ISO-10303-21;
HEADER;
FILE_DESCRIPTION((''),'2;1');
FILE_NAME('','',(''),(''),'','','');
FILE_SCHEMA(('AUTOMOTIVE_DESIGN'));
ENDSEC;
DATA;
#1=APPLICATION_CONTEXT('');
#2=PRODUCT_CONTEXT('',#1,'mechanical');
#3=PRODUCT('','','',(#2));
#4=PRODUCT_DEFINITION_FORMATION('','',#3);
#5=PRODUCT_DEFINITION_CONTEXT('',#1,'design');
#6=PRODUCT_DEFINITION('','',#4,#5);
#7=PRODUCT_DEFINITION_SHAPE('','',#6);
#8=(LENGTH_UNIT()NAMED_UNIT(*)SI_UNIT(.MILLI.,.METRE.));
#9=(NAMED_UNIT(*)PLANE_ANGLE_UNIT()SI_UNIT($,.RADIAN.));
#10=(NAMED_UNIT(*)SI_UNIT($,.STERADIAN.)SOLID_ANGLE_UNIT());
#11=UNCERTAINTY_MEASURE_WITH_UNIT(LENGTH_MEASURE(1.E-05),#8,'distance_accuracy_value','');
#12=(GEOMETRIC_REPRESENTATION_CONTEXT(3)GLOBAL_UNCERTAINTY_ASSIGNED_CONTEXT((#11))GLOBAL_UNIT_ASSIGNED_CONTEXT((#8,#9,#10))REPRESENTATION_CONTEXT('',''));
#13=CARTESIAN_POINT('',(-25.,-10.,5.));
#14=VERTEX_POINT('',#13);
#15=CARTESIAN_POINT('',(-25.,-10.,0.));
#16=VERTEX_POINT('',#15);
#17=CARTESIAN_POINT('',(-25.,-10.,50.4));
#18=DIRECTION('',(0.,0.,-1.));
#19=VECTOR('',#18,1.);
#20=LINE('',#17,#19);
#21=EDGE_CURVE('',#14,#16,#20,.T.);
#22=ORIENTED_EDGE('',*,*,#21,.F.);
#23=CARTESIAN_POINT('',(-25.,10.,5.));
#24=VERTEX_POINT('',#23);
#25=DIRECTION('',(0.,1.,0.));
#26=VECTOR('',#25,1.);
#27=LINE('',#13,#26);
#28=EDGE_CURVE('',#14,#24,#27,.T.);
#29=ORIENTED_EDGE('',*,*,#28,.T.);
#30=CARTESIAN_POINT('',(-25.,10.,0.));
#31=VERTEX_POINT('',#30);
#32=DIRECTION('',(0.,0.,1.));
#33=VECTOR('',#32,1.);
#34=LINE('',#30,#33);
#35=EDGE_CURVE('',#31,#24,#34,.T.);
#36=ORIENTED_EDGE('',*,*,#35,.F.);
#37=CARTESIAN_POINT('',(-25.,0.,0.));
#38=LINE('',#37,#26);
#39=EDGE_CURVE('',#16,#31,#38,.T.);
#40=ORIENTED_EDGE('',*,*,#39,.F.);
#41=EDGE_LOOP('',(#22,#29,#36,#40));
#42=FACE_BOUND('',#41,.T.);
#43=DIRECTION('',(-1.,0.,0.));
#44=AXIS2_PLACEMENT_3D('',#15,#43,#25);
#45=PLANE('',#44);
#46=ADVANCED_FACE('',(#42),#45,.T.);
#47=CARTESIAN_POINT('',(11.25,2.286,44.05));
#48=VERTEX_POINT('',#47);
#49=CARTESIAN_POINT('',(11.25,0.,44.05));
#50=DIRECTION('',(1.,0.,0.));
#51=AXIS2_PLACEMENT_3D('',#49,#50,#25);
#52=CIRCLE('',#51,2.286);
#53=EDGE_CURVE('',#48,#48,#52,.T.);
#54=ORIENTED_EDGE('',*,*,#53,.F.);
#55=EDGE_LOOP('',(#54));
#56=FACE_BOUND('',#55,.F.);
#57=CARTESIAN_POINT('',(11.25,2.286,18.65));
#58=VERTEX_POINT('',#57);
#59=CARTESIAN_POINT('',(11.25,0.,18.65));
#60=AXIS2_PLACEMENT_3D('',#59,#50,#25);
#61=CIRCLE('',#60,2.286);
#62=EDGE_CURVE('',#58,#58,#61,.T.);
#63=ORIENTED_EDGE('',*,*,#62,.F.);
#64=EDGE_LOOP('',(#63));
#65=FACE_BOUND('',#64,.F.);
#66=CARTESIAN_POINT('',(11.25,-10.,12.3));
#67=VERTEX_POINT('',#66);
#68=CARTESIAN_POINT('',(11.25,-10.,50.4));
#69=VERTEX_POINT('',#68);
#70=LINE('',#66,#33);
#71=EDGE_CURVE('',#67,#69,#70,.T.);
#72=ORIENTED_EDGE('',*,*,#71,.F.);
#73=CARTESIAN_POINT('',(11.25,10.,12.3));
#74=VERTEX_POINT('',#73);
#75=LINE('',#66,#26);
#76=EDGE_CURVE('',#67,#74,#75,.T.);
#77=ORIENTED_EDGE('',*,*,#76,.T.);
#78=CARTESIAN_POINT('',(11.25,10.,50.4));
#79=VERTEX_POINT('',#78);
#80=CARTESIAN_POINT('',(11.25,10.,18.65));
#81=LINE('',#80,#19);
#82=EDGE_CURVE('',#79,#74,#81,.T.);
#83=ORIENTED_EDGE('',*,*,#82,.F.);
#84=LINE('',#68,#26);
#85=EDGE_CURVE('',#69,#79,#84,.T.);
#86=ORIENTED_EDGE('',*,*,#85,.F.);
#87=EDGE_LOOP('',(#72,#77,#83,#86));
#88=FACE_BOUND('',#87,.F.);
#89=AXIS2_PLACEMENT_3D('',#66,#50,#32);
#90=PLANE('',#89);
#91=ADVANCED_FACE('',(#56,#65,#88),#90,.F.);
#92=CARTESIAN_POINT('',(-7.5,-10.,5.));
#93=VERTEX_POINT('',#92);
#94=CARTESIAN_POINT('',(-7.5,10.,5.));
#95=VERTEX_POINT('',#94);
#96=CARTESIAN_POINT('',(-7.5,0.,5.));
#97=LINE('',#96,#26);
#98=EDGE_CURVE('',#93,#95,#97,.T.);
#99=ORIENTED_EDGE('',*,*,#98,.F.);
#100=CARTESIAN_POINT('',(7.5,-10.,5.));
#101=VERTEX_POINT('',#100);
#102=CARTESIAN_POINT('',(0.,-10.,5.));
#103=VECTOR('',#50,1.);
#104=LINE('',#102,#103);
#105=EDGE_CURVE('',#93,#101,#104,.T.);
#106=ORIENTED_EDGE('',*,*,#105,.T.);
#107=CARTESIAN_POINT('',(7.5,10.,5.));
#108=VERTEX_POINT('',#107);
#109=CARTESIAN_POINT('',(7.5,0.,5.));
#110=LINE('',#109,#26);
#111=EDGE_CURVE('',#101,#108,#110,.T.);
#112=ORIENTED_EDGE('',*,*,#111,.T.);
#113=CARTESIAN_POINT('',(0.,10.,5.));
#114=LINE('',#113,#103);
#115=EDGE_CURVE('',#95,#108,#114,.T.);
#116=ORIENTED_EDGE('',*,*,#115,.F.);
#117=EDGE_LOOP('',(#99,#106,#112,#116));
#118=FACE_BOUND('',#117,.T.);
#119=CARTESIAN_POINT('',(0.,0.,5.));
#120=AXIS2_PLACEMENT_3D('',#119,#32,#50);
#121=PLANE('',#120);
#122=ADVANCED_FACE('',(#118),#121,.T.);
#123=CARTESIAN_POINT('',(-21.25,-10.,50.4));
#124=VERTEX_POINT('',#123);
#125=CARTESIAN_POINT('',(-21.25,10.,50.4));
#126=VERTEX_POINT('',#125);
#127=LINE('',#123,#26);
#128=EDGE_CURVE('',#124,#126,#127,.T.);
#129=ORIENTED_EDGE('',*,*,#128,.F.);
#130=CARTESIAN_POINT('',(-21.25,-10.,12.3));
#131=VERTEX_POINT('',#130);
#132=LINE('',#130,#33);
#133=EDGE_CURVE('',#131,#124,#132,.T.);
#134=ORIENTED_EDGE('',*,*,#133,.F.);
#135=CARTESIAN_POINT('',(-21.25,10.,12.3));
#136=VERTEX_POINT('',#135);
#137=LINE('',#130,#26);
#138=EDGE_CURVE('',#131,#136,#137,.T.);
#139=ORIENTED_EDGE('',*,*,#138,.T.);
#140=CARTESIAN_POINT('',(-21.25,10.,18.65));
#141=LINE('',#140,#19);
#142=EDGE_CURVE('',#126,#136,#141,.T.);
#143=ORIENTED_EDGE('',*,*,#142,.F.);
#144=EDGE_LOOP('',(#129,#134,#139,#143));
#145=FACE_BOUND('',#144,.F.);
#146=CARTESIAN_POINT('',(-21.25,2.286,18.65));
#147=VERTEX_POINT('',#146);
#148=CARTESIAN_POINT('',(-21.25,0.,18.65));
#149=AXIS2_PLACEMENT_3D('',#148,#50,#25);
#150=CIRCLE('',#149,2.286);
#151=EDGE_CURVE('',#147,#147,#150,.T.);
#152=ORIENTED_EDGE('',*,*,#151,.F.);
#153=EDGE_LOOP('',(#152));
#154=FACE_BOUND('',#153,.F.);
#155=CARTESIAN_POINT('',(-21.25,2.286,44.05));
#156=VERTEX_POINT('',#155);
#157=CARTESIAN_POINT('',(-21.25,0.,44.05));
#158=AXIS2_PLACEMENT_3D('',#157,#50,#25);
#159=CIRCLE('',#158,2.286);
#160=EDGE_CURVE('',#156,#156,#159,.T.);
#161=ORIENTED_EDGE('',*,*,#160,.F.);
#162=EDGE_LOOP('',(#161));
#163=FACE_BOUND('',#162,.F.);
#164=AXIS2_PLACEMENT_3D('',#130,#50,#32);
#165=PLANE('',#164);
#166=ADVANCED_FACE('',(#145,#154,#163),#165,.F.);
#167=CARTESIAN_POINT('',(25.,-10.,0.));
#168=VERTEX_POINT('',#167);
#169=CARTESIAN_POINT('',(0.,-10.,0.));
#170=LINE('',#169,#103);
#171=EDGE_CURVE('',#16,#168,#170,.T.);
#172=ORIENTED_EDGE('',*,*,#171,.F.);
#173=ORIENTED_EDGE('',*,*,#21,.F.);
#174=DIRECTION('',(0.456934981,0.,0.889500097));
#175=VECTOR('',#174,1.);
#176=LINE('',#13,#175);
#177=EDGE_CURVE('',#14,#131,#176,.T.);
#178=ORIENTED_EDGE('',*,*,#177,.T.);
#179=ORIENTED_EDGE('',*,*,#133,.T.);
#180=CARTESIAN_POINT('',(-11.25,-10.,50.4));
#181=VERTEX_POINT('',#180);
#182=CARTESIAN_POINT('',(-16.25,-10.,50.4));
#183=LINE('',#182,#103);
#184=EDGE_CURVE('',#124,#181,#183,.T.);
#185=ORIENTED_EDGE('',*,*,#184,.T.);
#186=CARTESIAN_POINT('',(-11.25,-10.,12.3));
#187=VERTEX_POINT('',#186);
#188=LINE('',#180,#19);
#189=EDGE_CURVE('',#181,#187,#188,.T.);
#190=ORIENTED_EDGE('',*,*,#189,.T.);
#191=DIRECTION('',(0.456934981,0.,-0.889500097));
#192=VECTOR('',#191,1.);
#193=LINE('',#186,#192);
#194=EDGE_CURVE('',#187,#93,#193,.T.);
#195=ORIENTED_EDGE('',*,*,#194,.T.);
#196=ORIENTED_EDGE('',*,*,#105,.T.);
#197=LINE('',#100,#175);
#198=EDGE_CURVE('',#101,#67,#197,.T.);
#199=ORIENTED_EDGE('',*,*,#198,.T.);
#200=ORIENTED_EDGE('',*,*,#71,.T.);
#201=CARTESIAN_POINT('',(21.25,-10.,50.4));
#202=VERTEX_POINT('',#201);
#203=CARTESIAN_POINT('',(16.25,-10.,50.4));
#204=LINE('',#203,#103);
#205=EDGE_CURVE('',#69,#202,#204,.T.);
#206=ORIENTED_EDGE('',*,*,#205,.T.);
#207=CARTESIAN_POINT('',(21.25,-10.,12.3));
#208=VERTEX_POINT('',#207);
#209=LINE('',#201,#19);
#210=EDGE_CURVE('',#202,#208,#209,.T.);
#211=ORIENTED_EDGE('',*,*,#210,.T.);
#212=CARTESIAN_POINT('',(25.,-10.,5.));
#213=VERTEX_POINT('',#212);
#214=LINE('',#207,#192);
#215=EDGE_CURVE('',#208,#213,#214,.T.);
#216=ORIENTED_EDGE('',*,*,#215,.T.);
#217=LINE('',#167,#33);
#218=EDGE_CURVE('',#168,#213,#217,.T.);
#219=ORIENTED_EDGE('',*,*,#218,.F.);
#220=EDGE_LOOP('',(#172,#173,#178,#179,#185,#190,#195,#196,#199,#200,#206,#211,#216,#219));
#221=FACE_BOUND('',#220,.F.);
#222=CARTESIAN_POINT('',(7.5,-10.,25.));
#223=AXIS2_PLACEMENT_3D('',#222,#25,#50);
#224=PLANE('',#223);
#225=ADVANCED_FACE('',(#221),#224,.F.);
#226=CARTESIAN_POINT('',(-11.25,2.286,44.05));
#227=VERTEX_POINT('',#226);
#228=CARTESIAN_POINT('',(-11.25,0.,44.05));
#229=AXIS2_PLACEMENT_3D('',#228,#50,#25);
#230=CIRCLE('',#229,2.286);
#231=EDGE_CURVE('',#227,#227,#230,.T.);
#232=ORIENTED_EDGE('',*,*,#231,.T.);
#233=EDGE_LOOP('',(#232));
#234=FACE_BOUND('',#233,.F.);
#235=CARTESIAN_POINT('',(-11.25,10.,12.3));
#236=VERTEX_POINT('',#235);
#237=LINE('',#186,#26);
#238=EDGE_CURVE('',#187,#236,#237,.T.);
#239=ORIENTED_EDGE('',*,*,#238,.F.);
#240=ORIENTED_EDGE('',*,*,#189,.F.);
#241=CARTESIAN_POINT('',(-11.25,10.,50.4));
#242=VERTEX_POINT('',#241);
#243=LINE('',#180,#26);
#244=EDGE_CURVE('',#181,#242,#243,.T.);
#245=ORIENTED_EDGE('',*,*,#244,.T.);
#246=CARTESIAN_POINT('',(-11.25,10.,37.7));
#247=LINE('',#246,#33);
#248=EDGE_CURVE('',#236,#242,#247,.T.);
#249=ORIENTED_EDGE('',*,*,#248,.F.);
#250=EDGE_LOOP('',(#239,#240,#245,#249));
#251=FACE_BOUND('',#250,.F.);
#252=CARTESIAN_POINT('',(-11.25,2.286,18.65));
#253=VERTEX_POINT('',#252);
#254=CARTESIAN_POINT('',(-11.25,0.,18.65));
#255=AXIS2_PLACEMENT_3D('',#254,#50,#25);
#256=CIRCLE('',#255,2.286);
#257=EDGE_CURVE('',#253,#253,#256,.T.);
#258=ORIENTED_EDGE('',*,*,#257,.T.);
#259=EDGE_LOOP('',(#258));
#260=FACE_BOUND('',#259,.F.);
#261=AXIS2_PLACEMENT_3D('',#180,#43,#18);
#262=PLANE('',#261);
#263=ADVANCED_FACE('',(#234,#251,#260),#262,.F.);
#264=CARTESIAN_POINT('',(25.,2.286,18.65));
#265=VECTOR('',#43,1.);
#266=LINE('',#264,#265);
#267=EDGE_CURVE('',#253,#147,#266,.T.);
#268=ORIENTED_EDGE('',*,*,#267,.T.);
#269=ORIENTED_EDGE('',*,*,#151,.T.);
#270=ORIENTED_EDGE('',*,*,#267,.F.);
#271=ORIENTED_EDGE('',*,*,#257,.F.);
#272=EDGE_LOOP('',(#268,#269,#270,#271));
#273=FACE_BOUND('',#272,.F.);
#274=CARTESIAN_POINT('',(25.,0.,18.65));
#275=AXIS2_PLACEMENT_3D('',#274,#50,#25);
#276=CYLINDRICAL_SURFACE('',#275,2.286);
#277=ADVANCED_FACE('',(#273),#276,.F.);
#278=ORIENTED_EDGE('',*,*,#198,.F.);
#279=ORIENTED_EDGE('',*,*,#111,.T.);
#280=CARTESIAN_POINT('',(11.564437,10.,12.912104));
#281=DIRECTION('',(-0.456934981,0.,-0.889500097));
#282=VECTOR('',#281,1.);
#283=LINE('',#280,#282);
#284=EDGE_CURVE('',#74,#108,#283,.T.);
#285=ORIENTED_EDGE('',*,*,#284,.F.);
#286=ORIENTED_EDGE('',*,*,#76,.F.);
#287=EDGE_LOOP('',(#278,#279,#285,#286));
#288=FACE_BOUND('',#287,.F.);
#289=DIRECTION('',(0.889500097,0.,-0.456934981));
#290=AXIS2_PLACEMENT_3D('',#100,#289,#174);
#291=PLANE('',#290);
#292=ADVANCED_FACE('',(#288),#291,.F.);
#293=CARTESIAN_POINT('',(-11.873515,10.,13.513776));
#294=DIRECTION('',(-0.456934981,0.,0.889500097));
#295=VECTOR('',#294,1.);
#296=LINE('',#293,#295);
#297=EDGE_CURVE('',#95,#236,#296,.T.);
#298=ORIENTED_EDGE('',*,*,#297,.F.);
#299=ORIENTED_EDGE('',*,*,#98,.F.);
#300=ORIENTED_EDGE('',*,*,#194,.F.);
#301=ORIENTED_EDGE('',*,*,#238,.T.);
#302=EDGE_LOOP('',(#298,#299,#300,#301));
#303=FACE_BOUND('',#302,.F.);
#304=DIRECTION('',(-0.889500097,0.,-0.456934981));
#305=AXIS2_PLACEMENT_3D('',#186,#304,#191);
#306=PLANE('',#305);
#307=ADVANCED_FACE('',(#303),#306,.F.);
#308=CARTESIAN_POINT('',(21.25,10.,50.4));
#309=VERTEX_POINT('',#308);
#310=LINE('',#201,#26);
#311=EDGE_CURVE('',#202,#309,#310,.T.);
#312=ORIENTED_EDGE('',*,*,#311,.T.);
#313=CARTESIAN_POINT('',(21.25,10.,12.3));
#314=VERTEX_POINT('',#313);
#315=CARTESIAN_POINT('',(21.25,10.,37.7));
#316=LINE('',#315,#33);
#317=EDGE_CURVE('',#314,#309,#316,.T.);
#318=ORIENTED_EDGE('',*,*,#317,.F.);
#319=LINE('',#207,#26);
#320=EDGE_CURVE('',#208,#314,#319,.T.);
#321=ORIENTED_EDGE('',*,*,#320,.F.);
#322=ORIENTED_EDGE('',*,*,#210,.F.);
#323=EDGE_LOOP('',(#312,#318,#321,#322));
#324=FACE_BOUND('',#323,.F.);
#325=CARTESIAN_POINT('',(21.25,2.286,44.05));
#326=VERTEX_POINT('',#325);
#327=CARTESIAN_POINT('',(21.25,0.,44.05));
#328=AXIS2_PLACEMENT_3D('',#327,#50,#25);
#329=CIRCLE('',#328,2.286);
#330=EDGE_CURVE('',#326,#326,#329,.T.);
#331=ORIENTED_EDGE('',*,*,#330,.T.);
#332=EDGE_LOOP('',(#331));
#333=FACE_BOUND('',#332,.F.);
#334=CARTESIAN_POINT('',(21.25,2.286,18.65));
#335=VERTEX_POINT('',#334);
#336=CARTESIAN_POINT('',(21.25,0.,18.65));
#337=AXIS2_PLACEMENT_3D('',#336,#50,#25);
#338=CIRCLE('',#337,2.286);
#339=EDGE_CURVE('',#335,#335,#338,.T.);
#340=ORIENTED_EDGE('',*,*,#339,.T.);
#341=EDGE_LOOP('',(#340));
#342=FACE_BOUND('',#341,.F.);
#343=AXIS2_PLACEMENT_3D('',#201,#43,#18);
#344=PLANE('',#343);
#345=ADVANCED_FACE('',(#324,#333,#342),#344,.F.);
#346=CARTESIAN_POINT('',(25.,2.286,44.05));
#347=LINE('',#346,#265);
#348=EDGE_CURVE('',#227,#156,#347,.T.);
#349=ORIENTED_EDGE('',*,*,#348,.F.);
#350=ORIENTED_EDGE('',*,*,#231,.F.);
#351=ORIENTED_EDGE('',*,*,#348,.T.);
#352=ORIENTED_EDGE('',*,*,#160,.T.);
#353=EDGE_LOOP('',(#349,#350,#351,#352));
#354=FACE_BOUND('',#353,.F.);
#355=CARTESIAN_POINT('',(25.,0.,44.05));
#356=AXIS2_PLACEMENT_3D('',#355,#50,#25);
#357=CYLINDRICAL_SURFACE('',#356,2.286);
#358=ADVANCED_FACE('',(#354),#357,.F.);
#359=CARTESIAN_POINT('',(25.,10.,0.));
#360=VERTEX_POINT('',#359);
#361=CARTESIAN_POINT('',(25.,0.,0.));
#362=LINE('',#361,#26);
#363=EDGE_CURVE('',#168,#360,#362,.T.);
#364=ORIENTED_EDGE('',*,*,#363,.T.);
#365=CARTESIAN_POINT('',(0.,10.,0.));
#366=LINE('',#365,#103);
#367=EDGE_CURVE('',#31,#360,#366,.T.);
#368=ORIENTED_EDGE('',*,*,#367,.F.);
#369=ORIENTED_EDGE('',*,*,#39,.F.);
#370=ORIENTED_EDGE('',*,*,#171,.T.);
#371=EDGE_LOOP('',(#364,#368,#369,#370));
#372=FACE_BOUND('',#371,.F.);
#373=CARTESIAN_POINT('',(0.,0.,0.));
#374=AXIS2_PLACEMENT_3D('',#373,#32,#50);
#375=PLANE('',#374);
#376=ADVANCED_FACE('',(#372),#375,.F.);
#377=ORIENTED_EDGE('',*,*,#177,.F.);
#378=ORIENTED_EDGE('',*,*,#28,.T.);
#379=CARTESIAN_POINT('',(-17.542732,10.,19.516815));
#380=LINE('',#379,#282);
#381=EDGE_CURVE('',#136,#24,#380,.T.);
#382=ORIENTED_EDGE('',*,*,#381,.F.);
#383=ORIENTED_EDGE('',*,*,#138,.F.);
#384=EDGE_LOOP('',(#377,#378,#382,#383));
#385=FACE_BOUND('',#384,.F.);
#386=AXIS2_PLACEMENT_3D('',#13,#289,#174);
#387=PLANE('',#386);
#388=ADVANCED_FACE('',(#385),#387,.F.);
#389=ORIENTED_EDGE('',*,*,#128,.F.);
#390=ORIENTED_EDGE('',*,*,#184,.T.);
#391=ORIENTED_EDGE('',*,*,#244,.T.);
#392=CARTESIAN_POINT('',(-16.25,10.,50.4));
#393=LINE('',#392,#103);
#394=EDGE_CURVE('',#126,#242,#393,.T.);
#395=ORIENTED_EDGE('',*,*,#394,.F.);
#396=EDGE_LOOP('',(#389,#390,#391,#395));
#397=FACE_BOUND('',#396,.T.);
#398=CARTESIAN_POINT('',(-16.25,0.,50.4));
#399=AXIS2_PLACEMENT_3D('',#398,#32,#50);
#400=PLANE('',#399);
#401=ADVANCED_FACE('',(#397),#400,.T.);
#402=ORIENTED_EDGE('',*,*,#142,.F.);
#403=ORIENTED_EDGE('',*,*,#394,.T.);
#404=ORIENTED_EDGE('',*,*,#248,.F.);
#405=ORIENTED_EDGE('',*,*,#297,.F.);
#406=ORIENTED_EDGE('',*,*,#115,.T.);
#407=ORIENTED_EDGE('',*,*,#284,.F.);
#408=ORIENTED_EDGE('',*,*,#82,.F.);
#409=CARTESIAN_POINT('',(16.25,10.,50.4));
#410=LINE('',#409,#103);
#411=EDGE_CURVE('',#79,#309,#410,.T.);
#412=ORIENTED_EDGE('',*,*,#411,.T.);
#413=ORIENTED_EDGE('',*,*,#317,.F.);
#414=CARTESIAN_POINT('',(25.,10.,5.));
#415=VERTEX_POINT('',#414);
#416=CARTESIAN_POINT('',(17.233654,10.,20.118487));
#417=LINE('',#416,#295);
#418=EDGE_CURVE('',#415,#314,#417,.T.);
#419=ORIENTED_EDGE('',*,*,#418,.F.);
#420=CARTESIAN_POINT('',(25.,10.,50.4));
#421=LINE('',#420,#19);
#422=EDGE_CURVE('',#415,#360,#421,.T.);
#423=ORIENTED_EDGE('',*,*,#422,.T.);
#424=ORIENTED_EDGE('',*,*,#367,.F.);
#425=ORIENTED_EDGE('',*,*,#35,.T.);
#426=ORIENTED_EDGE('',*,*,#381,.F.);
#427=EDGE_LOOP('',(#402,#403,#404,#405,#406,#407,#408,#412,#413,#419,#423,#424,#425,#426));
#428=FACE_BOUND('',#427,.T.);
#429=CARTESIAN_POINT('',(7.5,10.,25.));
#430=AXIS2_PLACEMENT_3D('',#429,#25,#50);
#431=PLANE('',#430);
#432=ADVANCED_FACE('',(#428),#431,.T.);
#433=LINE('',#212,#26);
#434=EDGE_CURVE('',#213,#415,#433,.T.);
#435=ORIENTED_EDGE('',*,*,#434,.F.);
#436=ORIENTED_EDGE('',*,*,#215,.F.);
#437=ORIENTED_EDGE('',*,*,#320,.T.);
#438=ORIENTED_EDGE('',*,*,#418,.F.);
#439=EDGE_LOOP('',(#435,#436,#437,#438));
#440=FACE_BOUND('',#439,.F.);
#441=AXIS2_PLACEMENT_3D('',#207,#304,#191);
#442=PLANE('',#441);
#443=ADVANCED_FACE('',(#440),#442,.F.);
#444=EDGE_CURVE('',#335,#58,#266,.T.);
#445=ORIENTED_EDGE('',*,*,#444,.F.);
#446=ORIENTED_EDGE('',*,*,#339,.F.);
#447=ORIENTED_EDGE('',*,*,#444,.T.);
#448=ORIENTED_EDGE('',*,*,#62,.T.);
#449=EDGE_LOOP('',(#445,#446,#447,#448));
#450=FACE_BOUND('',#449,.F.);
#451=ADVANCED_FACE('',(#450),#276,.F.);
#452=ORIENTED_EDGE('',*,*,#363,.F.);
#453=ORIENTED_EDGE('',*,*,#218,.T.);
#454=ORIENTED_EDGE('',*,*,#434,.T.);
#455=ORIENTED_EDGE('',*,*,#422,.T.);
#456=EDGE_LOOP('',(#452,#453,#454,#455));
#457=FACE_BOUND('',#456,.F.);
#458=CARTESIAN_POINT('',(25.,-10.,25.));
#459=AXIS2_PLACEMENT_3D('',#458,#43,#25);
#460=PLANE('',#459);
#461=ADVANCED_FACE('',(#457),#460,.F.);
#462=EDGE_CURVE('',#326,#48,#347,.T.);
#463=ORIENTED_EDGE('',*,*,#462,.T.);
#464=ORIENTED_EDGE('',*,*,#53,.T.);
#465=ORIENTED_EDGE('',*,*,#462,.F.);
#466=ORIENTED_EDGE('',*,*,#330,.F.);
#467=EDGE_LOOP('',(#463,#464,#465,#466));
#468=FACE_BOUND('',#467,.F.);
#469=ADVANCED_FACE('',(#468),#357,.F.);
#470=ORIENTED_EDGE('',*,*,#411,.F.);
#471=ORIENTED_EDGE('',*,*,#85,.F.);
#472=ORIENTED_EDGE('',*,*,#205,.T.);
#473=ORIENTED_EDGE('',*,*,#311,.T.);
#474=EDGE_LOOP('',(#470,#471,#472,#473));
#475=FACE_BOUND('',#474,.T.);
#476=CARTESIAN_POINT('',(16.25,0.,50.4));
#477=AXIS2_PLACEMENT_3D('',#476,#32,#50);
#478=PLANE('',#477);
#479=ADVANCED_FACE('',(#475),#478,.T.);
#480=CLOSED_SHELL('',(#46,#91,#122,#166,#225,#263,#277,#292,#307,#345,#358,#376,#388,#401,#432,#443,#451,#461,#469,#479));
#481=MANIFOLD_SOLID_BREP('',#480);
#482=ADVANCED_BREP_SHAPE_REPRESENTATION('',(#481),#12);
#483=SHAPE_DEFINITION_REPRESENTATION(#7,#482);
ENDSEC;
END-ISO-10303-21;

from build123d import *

# Parameters (mm, degrees)
F0_W      = 50
F0_H      = 20
F1_DEPTH  = 5
F2_W      = 17.5
F2_H      = 20
F3_DEPTH  = 20
F3_FACE_W = 17.5
F3_FACE_H = 20
F4_DEPTH  = 25.4
F5_R      = 2.286
F6_DEPTH  = 50.001
F8_DEPTH  = 20.001


with BuildPart() as f1:
    # F0 (on Top) → F1 (new body)
    with BuildSketch(Plane.XY):
        Rectangle(F0_W, F0_H)
    extrude(amount=F1_DEPTH)

    # F2 (on face) → F3 (join)
    with BuildSketch(Plane.XY.offset(5)):
        with Locations((16.25, 0)):
            Rectangle(F2_W, F2_H)
        with Locations((-16.25, 0)):
            Rectangle(F2_W, F2_H)
    extrude(amount=F3_DEPTH)

    # F3_face (on face) → F4 (join)
    with BuildSketch(Plane(origin=(16.25, 0, 25), x_dir=(1, 0, 0), z_dir=(0, 0, 1))):
        Rectangle(F3_FACE_W, F3_FACE_H)
        with Locations((-32.5, 0)):
            Rectangle(F3_FACE_W, F3_FACE_H)
    extrude(amount=F4_DEPTH)

    # F5 (on face) → F6 (cut, through all)
    with BuildSketch(Plane.YZ.offset(25)):
        with Locations((0, 44.05)):
            Circle(F5_R)
        with Locations((0, 18.65)):
            Circle(F5_R)
    extrude(amount=-F6_DEPTH, mode=Mode.SUBTRACT)

    # F7 (on face) → F8 (cut, through all)
    with BuildSketch(Plane.XZ.offset(10)):
        Polygon((-25, 50.4), (-25, 5), (-21.25, 12.3), (-21.25, 50.4), align=None)
        Polygon((-11.25, 12.3), (-7.5, 5), (-7.5, 50.4), (-11.25, 50.4), align=None)
        Polygon((7.5, 50.4), (7.5, 5), (11.25, 12.3), (11.25, 50.4), align=None)
        Polygon((21.25, 12.3), (25, 5), (25, 50.4), (21.25, 50.4), align=None)
    extrude(amount=-F8_DEPTH, mode=Mode.SUBTRACT)


solid = f1.part
